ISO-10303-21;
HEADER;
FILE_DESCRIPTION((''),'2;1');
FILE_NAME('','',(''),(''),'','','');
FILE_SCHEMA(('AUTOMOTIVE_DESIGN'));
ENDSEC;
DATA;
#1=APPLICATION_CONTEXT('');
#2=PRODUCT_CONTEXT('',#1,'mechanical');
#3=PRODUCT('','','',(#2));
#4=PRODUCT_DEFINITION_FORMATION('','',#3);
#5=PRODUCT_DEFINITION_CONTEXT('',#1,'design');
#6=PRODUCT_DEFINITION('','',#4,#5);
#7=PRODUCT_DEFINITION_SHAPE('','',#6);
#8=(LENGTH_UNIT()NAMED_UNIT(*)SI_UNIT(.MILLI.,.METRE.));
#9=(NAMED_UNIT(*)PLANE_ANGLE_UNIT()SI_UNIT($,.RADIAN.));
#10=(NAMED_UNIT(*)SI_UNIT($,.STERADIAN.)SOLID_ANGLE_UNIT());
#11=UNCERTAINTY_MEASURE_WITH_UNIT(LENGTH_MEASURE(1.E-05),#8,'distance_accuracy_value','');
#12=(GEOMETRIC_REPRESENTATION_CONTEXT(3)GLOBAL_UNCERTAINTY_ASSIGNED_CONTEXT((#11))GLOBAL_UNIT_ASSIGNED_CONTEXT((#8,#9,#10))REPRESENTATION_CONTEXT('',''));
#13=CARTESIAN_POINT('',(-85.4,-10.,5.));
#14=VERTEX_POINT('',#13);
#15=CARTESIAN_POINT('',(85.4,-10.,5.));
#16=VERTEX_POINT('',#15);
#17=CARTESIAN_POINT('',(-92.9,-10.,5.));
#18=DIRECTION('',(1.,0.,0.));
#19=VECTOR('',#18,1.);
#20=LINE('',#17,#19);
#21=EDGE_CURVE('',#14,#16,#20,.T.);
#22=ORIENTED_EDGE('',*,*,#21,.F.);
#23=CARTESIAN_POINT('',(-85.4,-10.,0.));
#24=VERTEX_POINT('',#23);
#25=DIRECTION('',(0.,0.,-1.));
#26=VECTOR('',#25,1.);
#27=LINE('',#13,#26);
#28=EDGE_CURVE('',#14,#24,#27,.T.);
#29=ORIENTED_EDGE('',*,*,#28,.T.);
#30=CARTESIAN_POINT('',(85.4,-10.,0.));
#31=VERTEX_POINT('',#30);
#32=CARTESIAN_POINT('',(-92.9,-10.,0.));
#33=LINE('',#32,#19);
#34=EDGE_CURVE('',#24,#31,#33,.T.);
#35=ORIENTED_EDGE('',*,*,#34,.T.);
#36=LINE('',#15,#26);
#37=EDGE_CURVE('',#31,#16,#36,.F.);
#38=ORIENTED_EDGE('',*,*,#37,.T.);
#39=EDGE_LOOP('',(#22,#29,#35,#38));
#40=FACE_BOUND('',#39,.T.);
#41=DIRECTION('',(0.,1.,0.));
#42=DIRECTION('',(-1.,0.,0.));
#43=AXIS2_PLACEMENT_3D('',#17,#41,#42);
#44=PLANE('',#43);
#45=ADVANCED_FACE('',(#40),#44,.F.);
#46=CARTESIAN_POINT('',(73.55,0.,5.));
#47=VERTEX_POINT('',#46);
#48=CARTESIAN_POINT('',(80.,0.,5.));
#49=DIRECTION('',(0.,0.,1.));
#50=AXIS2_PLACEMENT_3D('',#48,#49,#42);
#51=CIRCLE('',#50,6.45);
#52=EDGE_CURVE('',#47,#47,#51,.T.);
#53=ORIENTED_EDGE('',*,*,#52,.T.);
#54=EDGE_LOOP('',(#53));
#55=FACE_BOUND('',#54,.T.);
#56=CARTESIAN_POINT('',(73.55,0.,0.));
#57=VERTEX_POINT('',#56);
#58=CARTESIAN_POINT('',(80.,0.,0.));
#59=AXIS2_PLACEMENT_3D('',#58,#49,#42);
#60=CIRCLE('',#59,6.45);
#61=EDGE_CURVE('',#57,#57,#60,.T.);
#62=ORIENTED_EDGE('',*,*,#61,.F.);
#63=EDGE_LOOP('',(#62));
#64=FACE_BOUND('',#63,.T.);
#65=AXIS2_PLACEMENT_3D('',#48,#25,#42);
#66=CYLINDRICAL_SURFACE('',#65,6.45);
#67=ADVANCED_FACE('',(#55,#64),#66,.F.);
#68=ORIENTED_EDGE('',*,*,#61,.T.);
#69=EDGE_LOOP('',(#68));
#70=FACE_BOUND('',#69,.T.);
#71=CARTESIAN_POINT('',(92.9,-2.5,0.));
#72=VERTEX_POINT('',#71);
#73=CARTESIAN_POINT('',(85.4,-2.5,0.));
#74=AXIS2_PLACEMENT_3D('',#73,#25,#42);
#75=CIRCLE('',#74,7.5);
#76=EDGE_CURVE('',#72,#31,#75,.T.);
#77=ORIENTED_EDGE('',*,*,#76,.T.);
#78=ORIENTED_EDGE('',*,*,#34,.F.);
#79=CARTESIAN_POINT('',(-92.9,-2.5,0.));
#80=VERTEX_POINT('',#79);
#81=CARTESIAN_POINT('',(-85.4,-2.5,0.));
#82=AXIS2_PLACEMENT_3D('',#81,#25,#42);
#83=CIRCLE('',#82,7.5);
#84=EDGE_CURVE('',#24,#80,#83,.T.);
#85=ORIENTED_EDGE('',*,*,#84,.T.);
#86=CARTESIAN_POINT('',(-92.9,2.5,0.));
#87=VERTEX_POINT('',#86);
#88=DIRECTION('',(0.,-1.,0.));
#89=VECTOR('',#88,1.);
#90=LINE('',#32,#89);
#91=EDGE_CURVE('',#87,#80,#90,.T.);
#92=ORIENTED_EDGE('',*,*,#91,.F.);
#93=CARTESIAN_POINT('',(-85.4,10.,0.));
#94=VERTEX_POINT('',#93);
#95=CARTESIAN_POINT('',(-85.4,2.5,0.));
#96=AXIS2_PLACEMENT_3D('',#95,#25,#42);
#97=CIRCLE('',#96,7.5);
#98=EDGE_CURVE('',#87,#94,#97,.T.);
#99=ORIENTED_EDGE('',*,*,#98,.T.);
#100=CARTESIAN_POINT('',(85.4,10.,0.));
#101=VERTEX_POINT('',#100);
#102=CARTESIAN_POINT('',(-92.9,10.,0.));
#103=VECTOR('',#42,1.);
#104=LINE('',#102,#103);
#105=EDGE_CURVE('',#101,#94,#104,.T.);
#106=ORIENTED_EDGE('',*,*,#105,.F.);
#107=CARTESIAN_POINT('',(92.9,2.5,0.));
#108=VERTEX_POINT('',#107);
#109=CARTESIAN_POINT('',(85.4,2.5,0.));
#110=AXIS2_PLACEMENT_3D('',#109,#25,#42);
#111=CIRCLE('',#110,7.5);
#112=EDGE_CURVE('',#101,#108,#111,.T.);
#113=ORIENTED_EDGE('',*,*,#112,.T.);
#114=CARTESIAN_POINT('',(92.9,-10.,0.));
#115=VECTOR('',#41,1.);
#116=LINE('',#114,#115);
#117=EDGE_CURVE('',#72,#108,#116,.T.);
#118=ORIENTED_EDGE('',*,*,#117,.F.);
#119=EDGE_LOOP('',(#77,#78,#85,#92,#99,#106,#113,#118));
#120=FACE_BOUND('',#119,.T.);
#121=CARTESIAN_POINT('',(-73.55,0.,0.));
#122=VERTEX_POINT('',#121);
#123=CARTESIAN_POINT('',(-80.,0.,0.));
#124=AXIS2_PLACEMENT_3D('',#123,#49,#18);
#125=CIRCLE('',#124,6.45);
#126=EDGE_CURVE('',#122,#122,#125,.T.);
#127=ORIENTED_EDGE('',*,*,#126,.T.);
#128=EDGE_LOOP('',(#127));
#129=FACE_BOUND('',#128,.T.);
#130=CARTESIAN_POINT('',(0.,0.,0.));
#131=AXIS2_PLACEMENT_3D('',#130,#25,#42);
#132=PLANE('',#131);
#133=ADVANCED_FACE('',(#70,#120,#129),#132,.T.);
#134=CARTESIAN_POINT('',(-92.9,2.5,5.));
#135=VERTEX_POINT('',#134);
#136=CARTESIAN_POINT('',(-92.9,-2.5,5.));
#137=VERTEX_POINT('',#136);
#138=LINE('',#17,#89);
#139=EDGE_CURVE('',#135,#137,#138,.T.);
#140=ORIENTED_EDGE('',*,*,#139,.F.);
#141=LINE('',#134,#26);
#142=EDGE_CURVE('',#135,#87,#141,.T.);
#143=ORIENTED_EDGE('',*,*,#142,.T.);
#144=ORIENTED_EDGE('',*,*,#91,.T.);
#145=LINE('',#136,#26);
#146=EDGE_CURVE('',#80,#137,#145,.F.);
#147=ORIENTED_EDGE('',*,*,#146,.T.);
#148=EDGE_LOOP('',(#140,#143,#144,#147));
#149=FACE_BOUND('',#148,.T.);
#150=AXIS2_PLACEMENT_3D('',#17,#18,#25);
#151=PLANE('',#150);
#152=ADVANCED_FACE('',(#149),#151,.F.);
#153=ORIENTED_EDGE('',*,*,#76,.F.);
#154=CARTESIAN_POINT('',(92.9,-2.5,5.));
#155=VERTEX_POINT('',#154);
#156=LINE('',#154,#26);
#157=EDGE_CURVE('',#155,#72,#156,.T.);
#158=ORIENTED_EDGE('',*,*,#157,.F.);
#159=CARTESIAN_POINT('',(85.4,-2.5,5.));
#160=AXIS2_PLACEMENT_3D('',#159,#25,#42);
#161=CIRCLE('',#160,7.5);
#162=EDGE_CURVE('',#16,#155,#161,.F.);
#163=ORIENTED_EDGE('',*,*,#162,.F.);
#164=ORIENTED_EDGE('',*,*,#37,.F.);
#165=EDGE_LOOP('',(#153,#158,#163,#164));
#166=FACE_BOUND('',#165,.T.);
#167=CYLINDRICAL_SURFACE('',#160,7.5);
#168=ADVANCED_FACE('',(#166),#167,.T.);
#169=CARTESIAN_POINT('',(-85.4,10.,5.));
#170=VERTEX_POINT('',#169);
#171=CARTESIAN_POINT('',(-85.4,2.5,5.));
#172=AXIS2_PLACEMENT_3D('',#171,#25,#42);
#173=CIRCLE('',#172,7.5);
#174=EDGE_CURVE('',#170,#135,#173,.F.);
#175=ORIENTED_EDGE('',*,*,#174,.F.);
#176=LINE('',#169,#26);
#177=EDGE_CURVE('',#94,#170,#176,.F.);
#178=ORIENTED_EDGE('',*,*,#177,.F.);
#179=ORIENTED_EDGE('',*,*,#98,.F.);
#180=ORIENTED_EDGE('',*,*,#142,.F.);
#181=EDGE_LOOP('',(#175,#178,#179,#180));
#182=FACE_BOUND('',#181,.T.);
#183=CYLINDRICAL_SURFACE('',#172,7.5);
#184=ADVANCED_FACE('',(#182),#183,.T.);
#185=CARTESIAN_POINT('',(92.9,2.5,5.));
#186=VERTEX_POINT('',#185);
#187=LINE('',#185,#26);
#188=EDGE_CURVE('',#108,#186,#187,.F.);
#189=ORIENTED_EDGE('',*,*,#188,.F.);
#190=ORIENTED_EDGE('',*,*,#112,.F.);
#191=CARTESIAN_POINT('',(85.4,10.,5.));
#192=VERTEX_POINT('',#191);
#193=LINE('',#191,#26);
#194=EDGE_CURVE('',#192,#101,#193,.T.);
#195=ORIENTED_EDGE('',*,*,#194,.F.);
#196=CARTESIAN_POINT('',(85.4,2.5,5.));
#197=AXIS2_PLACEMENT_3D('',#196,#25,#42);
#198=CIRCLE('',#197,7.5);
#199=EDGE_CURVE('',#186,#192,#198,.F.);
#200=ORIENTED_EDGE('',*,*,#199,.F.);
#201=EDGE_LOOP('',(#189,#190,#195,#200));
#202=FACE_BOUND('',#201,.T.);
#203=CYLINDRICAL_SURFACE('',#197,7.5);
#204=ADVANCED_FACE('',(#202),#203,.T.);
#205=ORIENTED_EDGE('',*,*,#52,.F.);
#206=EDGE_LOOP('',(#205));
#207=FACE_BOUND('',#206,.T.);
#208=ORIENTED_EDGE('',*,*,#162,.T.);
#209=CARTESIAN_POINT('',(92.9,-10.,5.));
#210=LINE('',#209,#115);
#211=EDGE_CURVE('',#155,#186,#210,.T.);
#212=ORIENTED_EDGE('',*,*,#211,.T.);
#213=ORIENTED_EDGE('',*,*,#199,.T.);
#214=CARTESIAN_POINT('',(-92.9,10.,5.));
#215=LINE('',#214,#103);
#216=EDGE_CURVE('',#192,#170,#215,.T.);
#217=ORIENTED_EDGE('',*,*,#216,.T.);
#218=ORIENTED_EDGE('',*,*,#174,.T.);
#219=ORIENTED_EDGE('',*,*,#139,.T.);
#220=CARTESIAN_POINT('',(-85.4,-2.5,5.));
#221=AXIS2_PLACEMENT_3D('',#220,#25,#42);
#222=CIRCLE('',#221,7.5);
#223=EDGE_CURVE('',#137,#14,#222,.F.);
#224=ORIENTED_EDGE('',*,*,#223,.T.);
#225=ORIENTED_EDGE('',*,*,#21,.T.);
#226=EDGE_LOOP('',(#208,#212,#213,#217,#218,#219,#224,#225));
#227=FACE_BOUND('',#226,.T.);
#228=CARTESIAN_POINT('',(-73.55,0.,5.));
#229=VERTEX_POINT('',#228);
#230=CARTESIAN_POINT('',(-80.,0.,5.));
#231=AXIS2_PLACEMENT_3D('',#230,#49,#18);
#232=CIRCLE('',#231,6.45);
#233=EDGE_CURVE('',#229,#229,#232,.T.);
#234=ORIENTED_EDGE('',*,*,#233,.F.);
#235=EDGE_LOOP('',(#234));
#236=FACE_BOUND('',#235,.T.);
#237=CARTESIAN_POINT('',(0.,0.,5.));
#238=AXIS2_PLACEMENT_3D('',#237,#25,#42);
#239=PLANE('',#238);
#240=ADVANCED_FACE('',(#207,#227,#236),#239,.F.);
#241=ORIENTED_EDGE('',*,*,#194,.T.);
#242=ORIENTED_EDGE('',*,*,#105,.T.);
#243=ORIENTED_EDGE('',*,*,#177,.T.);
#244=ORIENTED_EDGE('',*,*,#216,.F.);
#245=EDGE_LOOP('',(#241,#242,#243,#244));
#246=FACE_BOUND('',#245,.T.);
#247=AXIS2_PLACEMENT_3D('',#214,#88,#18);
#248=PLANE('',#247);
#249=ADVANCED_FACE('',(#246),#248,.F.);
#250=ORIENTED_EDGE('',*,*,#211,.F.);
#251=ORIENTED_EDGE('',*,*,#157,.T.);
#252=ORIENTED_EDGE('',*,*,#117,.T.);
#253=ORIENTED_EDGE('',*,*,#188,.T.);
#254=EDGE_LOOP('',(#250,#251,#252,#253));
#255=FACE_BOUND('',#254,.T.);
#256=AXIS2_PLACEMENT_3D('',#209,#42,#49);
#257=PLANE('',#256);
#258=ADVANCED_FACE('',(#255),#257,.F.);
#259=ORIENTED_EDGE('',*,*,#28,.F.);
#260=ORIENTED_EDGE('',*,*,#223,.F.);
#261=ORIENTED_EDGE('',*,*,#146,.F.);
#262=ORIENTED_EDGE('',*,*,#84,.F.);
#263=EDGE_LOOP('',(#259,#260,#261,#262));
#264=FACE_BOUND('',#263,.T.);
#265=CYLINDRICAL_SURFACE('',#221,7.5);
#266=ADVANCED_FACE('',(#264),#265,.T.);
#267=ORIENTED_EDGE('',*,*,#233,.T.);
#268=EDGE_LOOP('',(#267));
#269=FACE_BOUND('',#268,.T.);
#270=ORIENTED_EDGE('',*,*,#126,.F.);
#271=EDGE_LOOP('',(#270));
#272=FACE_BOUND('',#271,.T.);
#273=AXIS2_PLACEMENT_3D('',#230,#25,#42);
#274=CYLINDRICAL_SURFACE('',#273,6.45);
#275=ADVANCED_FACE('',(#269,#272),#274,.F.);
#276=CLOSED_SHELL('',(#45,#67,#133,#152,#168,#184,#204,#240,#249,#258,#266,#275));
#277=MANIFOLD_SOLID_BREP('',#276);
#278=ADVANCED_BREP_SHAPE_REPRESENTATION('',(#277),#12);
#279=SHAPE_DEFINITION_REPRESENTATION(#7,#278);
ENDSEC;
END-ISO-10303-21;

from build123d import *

# Parameters (mm, degrees)
SKETCH1_W           = 185.8
SKETCH1_H           = 20
SKETCH1_R           = 6.45
BOSS_EXTRUDE1_DEPTH = 5
FILLET1_R           = 7.5


with BuildPart() as part:
    # Sketch1 → Boss-Extrude1 (new body)
    with BuildSketch(Plane.XY):
        Rectangle(SKETCH1_W, SKETCH1_H)
        with Locations((-80, 0)):
            Circle(SKETCH1_R, mode=Mode.SUBTRACT)
        with Locations((80, 0)):
            Circle(SKETCH1_R, mode=Mode.SUBTRACT)
    extrude(amount=BOSS_EXTRUDE1_DEPTH)

    # Fillet1
    fillet1_edges = [part.edges().sort_by_distance(p)[0] for p in [
        (-92.9, 10, 2.5),
        (92.9, 10, 2.5),
        (92.9, -10, 2.5),
        (-92.9, -10, 2.5),
    ]]
    fillet(fillet1_edges, radius=FILLET1_R)


solid = part.part
